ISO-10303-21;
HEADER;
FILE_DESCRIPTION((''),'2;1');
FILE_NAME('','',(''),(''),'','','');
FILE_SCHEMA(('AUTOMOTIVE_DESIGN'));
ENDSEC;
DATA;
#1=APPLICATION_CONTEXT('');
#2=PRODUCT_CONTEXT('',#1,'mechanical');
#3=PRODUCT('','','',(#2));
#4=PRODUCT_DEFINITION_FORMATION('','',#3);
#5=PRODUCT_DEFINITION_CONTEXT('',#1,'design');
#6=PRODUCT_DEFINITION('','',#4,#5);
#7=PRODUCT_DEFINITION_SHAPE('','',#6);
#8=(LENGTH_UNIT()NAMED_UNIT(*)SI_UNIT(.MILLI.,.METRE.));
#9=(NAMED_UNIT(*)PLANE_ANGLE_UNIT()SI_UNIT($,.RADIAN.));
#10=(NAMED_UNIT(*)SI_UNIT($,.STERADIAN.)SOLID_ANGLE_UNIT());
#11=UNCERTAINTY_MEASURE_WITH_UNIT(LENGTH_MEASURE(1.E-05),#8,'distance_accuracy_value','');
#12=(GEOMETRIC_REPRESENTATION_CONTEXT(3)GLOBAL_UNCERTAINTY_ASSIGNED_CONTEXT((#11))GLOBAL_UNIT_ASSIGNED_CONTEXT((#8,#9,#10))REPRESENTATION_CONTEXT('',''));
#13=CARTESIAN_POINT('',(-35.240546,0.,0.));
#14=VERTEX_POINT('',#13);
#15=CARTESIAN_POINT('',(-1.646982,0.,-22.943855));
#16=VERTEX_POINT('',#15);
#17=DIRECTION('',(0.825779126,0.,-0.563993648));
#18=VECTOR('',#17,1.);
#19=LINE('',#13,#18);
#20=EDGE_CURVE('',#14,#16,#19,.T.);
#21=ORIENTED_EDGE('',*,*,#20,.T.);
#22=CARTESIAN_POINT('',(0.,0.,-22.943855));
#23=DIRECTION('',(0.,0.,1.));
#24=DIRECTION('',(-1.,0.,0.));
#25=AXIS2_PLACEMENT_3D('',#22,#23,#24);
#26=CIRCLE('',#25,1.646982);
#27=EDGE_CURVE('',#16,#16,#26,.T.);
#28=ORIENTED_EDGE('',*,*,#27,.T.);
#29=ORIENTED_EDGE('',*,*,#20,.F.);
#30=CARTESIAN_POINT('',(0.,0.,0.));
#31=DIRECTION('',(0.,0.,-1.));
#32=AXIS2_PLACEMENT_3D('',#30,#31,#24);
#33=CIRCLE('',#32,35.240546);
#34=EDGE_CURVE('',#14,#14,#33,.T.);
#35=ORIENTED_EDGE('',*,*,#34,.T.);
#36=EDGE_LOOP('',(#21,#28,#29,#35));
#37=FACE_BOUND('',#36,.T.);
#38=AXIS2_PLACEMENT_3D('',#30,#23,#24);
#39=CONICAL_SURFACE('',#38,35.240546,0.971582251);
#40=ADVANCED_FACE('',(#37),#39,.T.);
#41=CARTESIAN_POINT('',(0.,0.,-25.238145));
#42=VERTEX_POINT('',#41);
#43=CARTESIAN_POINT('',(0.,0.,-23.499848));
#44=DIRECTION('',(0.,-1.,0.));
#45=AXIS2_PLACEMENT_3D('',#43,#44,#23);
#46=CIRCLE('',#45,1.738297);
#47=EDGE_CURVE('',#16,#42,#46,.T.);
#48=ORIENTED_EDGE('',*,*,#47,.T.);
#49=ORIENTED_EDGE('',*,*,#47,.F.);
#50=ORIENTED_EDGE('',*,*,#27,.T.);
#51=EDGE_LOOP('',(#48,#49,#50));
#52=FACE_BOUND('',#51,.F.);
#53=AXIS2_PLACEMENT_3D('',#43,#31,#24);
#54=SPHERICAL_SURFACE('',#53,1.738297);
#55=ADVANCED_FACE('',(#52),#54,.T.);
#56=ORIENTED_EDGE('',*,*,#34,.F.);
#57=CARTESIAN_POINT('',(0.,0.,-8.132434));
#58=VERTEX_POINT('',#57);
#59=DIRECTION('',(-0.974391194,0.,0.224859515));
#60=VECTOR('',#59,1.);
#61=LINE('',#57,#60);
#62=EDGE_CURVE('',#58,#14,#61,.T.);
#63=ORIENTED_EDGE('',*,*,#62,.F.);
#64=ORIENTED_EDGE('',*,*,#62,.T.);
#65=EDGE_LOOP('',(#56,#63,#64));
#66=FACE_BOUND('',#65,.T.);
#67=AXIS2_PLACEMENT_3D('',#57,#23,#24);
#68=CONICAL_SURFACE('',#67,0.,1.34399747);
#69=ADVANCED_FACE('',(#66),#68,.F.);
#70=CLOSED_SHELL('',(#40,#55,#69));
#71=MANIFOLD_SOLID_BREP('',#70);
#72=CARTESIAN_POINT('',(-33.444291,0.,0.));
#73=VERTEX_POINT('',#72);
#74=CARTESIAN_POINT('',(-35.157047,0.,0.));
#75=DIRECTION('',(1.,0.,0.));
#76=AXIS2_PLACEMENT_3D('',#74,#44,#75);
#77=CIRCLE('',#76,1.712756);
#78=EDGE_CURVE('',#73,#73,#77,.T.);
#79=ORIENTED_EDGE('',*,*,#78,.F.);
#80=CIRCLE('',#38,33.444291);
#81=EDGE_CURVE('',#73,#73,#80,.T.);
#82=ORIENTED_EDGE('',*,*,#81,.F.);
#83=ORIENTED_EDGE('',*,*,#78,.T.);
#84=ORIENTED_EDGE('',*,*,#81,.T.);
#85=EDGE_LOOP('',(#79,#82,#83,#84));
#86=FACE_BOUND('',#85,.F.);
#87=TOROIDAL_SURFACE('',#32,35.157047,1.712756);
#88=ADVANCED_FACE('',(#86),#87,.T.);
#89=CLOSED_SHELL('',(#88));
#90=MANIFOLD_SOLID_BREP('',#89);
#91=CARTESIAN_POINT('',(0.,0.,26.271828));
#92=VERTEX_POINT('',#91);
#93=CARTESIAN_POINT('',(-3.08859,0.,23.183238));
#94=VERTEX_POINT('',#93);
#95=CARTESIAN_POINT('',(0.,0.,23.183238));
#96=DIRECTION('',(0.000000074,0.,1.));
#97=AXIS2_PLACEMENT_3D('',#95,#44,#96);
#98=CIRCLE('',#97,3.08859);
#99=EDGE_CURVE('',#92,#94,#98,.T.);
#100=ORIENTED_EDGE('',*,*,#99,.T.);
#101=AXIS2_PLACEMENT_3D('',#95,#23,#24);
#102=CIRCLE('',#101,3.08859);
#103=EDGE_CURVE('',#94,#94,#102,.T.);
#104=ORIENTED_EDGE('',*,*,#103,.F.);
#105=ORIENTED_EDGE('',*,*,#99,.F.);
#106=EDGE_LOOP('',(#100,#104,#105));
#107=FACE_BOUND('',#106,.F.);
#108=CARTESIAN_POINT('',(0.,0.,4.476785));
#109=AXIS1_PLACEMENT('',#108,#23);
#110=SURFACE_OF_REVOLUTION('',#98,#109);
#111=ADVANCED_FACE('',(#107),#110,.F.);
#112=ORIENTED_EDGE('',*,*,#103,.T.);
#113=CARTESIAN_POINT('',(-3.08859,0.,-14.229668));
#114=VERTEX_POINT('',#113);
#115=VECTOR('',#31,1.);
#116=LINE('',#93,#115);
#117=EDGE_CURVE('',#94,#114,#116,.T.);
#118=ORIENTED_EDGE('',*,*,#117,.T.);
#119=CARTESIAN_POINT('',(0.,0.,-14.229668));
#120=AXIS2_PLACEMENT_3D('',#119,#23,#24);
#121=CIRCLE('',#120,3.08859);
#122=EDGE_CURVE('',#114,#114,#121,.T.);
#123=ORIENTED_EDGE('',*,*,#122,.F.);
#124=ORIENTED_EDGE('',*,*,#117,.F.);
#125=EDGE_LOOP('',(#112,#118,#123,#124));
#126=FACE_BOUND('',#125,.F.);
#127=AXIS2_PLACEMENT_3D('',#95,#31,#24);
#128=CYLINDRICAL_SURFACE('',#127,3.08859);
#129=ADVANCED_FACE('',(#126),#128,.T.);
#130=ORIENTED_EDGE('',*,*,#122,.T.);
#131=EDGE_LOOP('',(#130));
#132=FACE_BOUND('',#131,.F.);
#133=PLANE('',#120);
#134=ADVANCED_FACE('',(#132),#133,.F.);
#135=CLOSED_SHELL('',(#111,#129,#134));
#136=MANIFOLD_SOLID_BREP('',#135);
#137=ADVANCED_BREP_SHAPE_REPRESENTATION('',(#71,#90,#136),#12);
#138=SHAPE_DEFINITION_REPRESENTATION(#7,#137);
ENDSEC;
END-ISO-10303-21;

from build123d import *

# Parameters (mm, degrees)
F6_R = 1.712756


with BuildPart() as f1:
    # F0 (on Front) → F1 (revolve)
    with BuildSketch(Plane.XZ):
        Polygon((-35.240546, 0), (0, -24.068717), (0, -8.132434), align=None)
    revolve(axis=Axis((0, 0, -16.100575), (0, 0, -1)))

    # F4 (on Front) → F5 (revolve)
    with BuildSketch(Plane.XZ):
        with BuildLine():
            Line((0, -25.238145), (0, -21.761551))
            ThreePointArc((0, -21.761551), (-1.738297, -23.499848), (0, -25.238145))
        make_face()
    revolve(axis=Axis((0, 0, -23.499848), (0, 0, 1)))


with BuildPart() as f3:
    # F2 (on Front) → F3 (revolve)
    with BuildSketch(Plane.XZ):
        with BuildLine():
            Line((-3.08859, -14.229668), (0, -14.229668))
            Line((0, -14.229668), (0, 20.094648))
            ThreePointArc((0, 20.094648), (-2.183963, 20.999275), (-3.08859, 23.183238))
            Line((-3.08859, 23.183238), (-3.08859, -14.229668))
        make_face()
        with BuildLine():
            ThreePointArc((-3.08859, 23.183238), (-2.183963, 20.999275), (0, 20.094648))
            Line((0, 20.094648), (0, 23.183238))
            Line((0, 23.183238), (-3.08859, 23.183238))
        make_face()
        with BuildLine():
            ThreePointArc((0, 26.271828), (-2.183963, 25.367201), (-3.08859, 23.183238))
            Line((-3.08859, 23.183238), (0, 23.183238))
            Line((0, 23.183238), (0, 26.271828))
        make_face()
    revolve(axis=Axis((0, 0, 4.476785), (0, 0, 1)))


with BuildPart() as f7:
    # F6 (on Front) → F7 (revolve)
    with BuildSketch(Plane.XZ):
        with Locations((-35.157047, 0)):
            Circle(F6_R)
    revolve(axis=Axis((0, 0, 2.209123), (0, 0, 1)))


solid = Compound([f1.part, f3.part, f7.part])
